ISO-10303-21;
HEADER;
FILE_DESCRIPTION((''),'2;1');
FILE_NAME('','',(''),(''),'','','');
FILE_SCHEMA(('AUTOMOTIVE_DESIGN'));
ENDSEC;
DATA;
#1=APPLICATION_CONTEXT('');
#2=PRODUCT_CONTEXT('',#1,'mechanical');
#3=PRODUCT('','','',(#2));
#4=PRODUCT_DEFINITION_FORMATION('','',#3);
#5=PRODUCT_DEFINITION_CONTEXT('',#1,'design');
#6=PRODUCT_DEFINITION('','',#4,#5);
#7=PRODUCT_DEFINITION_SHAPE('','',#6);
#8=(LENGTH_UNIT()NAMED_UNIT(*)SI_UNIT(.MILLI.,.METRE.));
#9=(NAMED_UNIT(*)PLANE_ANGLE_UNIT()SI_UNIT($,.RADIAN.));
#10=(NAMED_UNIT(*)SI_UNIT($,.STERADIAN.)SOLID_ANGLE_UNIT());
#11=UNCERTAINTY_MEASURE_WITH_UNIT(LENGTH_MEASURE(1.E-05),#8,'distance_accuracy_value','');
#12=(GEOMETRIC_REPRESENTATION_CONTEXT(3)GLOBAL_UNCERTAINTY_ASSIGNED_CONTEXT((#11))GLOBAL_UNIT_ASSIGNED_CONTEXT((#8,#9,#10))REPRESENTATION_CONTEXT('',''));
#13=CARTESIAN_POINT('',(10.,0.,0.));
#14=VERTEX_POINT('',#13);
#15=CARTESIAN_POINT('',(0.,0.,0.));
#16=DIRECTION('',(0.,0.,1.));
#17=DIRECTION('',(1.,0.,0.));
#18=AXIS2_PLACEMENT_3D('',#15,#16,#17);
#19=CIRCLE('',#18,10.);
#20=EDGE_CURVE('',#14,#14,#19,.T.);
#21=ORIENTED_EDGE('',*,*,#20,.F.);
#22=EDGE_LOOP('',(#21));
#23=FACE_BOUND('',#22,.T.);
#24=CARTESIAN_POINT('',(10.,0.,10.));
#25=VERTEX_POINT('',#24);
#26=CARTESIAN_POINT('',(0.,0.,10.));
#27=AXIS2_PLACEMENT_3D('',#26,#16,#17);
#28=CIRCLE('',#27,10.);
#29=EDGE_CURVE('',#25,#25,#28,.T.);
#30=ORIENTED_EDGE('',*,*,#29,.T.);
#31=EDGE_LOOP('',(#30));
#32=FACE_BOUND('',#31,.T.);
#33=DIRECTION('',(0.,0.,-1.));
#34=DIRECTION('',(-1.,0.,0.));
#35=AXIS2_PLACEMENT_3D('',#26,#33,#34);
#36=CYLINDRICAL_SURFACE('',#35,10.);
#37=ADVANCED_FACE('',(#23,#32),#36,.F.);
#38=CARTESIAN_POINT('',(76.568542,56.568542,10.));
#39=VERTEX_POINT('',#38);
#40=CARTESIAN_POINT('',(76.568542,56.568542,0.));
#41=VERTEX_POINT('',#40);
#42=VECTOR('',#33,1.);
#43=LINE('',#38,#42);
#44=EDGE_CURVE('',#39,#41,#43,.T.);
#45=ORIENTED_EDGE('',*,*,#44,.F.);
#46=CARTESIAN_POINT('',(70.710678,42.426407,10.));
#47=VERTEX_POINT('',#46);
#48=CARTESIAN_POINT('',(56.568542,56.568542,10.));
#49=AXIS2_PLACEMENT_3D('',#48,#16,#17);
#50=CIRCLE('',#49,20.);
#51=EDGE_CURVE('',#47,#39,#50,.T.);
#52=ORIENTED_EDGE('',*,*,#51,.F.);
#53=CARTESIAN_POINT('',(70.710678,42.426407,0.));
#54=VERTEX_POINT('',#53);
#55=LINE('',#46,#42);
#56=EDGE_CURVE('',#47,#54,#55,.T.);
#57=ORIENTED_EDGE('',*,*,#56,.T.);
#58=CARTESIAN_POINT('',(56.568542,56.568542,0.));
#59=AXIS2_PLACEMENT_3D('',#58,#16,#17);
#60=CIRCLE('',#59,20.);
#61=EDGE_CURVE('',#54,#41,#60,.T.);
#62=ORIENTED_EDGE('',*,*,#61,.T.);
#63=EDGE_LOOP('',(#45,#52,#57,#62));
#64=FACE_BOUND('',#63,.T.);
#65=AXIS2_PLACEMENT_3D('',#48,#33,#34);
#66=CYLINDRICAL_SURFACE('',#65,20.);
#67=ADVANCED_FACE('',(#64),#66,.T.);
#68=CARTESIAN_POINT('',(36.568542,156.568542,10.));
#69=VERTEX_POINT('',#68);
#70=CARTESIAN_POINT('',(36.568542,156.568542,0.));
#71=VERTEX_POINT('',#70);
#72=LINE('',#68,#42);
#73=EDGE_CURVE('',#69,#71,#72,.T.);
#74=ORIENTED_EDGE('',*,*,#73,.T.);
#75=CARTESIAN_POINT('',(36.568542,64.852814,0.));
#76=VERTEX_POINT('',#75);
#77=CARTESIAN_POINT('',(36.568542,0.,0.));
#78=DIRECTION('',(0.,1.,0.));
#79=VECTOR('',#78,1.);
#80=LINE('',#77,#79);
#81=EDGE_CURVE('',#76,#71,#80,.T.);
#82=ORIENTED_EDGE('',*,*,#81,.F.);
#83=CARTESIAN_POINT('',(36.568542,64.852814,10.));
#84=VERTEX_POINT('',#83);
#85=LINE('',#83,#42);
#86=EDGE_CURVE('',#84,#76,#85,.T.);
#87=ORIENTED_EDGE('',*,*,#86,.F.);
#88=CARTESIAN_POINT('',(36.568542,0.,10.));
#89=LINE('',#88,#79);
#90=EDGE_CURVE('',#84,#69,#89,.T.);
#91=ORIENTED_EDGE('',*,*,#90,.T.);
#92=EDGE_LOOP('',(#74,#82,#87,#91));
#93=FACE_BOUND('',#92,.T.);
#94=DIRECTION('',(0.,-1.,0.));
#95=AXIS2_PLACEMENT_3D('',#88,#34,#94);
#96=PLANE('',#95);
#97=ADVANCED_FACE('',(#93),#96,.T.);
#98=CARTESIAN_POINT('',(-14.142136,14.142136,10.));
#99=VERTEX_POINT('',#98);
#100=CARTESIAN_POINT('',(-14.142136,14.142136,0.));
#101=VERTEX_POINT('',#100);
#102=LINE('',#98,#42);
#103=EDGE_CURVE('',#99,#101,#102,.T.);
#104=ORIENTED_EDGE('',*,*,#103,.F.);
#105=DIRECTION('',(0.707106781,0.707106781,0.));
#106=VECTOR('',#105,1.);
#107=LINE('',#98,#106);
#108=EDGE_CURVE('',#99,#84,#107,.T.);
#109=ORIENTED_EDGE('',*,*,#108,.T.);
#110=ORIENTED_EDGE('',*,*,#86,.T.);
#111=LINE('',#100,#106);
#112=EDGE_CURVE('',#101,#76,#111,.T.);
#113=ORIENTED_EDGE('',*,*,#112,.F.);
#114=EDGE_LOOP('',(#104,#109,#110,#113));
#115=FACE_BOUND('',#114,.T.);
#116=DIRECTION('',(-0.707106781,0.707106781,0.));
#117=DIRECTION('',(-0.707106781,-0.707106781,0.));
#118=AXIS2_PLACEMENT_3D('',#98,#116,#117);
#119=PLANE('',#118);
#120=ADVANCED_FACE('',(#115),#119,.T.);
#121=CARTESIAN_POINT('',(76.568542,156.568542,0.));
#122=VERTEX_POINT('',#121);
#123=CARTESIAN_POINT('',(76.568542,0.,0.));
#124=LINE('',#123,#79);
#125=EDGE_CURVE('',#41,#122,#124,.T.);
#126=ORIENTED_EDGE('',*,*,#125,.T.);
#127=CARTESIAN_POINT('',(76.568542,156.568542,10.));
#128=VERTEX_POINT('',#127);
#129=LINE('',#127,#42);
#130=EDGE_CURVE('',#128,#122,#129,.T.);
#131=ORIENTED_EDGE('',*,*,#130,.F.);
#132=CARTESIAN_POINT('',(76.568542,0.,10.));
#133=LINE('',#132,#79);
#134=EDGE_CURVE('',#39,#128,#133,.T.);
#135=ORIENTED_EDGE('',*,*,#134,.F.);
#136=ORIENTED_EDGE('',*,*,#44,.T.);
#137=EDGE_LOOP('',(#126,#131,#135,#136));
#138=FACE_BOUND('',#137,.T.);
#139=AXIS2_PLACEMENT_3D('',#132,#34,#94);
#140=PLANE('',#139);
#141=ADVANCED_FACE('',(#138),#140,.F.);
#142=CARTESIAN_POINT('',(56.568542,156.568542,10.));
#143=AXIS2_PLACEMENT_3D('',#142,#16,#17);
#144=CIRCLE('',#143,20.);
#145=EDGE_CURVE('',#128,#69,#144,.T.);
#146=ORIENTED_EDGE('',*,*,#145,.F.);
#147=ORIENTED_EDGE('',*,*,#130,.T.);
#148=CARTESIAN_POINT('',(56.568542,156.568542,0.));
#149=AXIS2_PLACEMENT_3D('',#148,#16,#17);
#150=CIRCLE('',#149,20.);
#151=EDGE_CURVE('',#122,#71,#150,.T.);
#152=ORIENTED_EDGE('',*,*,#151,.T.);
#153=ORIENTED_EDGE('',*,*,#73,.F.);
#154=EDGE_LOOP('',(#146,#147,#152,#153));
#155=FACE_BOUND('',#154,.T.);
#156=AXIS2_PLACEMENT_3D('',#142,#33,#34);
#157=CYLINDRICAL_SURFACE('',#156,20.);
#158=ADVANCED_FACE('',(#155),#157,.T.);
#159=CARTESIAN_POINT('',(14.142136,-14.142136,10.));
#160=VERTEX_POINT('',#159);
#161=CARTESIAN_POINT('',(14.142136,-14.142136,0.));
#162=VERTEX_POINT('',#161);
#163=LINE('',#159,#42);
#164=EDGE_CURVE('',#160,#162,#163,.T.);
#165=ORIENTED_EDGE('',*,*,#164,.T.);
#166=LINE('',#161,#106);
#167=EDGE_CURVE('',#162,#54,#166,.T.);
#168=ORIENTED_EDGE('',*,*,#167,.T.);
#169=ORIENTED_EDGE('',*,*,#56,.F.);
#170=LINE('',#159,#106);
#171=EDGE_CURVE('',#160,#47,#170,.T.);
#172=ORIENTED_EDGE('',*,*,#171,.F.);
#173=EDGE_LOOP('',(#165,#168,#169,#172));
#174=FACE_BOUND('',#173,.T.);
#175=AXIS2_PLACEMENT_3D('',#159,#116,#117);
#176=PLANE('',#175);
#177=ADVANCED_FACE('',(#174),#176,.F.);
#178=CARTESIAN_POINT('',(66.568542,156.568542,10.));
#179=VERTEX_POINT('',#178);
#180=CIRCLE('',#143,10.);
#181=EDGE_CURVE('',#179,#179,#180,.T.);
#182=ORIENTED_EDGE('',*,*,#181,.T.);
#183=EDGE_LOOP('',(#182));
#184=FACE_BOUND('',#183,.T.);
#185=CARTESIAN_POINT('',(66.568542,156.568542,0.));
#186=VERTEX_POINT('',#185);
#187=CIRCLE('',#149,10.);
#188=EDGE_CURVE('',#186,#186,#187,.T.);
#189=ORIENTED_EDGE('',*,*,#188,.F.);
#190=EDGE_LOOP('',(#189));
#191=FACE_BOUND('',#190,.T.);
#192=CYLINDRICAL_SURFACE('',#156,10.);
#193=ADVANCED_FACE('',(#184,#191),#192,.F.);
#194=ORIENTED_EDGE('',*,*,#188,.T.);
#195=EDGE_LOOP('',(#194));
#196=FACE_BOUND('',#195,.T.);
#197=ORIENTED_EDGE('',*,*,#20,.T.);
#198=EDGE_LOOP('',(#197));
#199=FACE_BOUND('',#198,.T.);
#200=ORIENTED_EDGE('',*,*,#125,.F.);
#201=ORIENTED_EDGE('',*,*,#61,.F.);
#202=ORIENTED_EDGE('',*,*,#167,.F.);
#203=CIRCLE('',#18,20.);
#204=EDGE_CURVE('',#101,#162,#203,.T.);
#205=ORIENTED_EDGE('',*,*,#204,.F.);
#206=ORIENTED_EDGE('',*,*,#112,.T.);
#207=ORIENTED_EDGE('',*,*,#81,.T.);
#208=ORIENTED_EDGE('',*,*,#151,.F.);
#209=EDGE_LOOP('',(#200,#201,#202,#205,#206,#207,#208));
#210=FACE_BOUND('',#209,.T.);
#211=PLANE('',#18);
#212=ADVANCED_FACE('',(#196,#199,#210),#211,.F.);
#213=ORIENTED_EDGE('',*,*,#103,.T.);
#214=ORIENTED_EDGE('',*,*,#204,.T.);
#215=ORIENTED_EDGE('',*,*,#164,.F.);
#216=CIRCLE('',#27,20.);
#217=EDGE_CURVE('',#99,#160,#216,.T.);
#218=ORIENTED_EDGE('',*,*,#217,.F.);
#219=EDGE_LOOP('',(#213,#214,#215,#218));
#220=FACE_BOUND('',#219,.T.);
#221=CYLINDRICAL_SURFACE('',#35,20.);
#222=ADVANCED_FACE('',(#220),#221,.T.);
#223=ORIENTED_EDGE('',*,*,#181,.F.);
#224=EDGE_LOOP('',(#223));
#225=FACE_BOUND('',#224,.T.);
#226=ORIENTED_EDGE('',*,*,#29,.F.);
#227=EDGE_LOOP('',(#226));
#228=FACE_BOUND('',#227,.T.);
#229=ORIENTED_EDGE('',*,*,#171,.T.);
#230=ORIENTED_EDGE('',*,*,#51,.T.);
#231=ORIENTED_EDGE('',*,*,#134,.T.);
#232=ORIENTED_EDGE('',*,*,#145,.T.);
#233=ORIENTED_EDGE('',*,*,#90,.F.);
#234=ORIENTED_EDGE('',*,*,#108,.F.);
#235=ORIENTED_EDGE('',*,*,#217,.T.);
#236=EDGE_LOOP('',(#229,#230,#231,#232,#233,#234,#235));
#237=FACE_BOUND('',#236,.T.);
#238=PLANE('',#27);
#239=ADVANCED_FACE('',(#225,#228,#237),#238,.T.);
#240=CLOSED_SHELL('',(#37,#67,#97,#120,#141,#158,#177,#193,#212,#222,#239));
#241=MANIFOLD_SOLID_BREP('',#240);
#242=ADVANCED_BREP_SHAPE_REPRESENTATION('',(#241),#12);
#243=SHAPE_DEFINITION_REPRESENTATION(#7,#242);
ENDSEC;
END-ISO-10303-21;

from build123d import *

# Parameters (mm, degrees)
ESQUISSE1_R        = 10
BOSS_EXTRU_1_DEPTH = 10


with BuildPart() as part:
    # Esquisse1 → Boss.-Extru.1 (new body)
    # profile 1 of 3: a face of its own
    with BuildSketch(Plane.XY):
        with BuildLine():
            Line((36.568542495, 156.568542495), (36.568542495, 64.852813742))
            Line((36.568542495, 64.852813742), (42.426406871, 70.710678119))
            ThreePointArc((42.426406871, 70.710678119), (64.222211142, 75.046133145), (76.568542495, 56.568542495))
            Line((76.568542495, 56.568542495), (76.568542495, 156.568542495))
            ThreePointArc((76.568542495, 156.568542495), (56.568542495, 176.568542495), (36.568542495, 156.568542495))
        make_face()
        with Locations((56.568542495, 156.568542495)):
            Circle(ESQUISSE1_R, mode=Mode.SUBTRACT)
    # profile 2 of 3: a face of its own
    with BuildSketch(Plane.XY):
        with BuildLine():
            Line((42.426406871, 70.710678119), (36.568542495, 64.852813742))
            Line((36.568542495, 64.852813742), (36.568542495, 56.568542495))
            ThreePointArc((36.568542495, 56.568542495), (48.914873848, 38.090951845), (70.710678119, 42.426406871))
            ThreePointArc((70.710678119, 42.426406871), (75.046133145, 48.914873848), (76.568542495, 56.568542495))
            ThreePointArc((76.568542495, 56.568542495), (64.222211142, 75.046133145), (42.426406871, 70.710678119))
        make_face()
    # profile 3 of 3: a face of its own
    with BuildSketch(Plane.XY):
        with BuildLine():
            Line((36.568542495, 64.852813742), (-14.142135624, 14.142135624))
            ThreePointArc((-14.142135624, 14.142135624), (-14.142135624, -14.142135624), (14.142135624, -14.142135624))
            Line((14.142135624, -14.142135624), (70.710678119, 42.426406871))
            ThreePointArc((70.710678119, 42.426406871), (48.914873848, 38.090951845), (36.568542495, 56.568542495))
            Line((36.568542495, 56.568542495), (36.568542495, 64.852813742))
        make_face()
        Circle(ESQUISSE1_R, mode=Mode.SUBTRACT)
    extrude(amount=BOSS_EXTRU_1_DEPTH)


solid = part.part
